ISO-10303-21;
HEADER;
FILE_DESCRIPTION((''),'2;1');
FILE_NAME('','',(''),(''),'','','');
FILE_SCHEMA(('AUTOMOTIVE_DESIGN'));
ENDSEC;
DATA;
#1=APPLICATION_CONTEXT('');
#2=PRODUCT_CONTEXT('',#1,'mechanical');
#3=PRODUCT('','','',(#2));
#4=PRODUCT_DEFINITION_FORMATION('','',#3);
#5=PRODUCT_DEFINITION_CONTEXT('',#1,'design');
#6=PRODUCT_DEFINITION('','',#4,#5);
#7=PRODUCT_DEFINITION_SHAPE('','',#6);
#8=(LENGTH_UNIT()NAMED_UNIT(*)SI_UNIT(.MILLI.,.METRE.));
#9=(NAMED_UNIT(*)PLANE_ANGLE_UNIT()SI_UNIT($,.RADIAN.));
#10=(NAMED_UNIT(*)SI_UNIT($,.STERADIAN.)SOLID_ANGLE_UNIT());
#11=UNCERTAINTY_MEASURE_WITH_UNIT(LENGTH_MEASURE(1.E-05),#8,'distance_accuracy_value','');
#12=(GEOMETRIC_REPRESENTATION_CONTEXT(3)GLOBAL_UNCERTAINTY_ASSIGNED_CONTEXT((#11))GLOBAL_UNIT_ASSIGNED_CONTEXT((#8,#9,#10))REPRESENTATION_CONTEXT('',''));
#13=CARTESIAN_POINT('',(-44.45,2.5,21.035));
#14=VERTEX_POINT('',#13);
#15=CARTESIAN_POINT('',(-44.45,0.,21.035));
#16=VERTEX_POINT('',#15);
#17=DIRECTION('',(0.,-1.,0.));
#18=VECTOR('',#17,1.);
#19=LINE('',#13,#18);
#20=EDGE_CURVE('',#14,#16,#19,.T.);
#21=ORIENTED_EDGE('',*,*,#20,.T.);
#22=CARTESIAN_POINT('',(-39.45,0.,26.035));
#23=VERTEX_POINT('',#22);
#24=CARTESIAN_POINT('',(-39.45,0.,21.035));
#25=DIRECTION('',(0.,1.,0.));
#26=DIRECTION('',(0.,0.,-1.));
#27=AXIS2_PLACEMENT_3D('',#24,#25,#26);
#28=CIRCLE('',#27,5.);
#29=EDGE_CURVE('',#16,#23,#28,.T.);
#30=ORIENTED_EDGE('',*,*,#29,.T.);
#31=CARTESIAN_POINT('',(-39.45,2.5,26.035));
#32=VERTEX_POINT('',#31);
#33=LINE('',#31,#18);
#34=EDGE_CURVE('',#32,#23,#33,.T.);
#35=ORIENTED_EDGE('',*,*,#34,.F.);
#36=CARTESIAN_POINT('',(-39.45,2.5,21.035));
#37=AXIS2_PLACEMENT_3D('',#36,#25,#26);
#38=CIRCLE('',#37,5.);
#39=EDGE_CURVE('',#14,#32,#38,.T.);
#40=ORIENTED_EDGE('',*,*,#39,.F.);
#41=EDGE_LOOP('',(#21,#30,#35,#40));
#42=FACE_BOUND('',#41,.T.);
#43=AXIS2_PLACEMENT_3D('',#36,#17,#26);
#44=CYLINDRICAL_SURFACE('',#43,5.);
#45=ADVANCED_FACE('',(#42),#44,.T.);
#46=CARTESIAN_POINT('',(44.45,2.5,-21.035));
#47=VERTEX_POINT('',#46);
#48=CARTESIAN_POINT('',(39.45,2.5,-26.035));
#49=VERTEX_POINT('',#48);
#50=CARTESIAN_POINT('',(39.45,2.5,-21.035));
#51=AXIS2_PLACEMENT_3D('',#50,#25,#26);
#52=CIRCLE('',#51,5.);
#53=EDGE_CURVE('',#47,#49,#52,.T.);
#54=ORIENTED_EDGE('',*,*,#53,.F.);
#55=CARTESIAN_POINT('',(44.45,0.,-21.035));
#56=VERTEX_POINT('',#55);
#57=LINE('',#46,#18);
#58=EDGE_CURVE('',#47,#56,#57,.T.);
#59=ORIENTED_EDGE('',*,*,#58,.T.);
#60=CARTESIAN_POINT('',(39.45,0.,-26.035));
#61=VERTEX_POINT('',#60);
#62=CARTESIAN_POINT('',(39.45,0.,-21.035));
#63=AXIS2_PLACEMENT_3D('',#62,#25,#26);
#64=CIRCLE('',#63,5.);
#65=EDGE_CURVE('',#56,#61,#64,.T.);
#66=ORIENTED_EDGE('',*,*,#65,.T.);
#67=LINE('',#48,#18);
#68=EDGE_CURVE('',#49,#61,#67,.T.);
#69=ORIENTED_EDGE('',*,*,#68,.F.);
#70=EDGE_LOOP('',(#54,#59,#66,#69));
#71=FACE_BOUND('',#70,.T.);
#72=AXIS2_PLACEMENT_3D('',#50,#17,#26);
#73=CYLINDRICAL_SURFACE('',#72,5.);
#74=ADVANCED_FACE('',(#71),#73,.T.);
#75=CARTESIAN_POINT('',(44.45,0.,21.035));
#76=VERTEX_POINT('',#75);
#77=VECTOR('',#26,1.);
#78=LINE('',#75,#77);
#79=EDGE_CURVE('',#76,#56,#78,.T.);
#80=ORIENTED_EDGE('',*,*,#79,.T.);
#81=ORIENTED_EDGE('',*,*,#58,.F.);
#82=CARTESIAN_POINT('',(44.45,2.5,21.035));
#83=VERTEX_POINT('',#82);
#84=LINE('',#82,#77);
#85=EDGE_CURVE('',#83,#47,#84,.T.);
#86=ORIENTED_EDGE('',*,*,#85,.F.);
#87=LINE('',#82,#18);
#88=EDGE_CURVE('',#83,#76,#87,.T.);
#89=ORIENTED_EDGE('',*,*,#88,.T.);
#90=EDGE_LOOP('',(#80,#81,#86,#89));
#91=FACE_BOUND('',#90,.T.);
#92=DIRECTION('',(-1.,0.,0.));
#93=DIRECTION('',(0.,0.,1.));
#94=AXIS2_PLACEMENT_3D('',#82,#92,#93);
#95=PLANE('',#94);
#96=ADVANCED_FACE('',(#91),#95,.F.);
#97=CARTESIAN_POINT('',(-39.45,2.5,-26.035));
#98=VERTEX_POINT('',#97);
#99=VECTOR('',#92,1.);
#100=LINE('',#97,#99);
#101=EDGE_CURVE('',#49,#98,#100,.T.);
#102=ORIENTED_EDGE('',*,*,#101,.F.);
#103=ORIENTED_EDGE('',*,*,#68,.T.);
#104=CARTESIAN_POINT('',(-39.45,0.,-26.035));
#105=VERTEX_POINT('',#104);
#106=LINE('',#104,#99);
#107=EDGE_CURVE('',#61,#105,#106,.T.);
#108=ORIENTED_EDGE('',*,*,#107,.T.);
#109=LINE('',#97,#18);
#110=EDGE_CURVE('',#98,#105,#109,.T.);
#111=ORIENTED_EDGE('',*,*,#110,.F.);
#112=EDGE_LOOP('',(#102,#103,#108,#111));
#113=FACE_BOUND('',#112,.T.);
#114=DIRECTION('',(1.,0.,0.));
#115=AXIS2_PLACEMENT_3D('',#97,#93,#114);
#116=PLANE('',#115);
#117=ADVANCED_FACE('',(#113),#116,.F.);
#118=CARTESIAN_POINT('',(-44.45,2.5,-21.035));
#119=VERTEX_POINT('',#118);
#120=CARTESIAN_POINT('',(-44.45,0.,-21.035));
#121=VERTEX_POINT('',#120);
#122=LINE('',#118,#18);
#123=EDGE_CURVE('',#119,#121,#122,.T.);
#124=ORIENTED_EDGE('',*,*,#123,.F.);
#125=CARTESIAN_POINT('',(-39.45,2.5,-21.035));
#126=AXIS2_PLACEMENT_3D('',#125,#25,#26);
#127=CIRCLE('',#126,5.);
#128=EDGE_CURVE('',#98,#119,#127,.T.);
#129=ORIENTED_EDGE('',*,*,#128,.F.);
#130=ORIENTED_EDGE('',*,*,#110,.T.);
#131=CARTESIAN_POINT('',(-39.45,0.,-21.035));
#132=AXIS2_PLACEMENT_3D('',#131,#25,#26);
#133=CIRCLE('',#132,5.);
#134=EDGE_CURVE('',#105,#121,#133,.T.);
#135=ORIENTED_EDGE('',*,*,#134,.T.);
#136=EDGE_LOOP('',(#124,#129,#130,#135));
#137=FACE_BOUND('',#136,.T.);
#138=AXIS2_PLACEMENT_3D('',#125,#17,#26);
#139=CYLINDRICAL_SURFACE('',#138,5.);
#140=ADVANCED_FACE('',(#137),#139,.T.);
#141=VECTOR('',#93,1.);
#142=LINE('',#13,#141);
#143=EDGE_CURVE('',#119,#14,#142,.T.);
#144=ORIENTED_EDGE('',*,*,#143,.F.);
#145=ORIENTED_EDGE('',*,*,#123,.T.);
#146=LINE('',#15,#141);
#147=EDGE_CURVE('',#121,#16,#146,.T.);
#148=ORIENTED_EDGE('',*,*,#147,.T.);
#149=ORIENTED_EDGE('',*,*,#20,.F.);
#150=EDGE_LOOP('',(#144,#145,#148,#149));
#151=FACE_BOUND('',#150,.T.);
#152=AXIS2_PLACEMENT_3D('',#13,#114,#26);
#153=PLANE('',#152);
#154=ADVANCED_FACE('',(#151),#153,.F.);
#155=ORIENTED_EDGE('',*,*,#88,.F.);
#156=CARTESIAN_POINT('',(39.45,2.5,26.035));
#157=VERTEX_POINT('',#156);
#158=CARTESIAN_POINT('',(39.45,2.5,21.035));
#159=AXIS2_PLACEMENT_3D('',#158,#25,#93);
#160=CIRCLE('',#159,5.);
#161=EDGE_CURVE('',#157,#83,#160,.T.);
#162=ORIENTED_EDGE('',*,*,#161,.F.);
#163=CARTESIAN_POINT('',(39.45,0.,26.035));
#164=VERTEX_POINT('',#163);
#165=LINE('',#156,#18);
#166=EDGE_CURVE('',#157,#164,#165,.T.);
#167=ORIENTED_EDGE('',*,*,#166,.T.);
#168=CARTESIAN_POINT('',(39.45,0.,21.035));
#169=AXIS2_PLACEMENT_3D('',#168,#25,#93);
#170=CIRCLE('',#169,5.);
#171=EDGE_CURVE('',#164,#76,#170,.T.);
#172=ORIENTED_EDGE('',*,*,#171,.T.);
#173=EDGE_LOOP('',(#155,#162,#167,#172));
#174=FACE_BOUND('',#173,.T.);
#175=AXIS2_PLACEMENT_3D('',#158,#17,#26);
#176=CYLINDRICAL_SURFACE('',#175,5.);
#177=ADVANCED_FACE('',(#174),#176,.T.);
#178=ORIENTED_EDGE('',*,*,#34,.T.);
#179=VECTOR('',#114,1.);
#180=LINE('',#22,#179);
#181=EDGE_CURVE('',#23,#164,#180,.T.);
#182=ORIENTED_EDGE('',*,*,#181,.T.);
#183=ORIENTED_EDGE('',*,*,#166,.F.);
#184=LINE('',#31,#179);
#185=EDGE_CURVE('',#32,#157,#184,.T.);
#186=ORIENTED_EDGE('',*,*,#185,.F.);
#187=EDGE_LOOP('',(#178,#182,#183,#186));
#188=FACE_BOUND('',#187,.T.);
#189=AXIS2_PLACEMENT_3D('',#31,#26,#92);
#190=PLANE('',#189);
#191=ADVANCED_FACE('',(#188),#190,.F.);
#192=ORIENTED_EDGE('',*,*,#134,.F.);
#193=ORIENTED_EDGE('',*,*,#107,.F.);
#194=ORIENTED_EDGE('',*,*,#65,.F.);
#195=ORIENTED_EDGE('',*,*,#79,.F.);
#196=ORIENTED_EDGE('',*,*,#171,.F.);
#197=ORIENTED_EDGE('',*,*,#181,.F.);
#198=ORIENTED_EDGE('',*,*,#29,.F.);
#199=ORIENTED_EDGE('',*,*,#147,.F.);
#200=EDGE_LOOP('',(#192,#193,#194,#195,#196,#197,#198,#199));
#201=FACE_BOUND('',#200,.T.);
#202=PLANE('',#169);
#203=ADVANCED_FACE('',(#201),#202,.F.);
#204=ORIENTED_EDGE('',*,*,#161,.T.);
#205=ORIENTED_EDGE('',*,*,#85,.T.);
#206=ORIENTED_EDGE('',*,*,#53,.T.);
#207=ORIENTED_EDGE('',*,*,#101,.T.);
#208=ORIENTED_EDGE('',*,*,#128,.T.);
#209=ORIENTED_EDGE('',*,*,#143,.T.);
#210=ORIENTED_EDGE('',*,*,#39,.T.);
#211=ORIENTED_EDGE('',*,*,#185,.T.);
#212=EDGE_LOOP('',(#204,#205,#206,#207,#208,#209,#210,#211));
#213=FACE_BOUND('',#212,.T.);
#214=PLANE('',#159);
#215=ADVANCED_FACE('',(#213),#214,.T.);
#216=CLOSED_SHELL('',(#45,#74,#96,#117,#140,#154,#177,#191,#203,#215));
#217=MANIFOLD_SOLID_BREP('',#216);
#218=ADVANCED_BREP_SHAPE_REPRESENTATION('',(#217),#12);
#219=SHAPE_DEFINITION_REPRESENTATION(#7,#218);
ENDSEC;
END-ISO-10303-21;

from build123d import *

# Parameters (mm, degrees)
BOSS_EXTRUDE1_DEPTH = 2.5


with BuildPart() as part:
    # Sketch1 → Boss-Extrude1 (new body)
    with BuildSketch(Plane(origin=(0, 0, 0), x_dir=(1, 0, 0), z_dir=(0, 1, 0))):
        with BuildLine():
            Line((-39.45, -26.035), (39.45, -26.035))
            ThreePointArc((39.45, -26.035), (42.985533906, -24.570533906), (44.45, -21.035))
            Line((44.45, -21.035), (44.45, 21.035))
            ThreePointArc((44.45, 21.035), (42.985533906, 24.570533906), (39.45, 26.035))
            Line((39.45, 26.035), (-39.45, 26.035))
            ThreePointArc((-39.45, 26.035), (-42.985533906, 24.570533906), (-44.45, 21.035))
            Line((-44.45, 21.035), (-44.45, -21.035))
            ThreePointArc((-44.45, -21.035), (-42.985533906, -24.570533906), (-39.45, -26.035))
        make_face()
    extrude(amount=BOSS_EXTRUDE1_DEPTH)


solid = part.part
